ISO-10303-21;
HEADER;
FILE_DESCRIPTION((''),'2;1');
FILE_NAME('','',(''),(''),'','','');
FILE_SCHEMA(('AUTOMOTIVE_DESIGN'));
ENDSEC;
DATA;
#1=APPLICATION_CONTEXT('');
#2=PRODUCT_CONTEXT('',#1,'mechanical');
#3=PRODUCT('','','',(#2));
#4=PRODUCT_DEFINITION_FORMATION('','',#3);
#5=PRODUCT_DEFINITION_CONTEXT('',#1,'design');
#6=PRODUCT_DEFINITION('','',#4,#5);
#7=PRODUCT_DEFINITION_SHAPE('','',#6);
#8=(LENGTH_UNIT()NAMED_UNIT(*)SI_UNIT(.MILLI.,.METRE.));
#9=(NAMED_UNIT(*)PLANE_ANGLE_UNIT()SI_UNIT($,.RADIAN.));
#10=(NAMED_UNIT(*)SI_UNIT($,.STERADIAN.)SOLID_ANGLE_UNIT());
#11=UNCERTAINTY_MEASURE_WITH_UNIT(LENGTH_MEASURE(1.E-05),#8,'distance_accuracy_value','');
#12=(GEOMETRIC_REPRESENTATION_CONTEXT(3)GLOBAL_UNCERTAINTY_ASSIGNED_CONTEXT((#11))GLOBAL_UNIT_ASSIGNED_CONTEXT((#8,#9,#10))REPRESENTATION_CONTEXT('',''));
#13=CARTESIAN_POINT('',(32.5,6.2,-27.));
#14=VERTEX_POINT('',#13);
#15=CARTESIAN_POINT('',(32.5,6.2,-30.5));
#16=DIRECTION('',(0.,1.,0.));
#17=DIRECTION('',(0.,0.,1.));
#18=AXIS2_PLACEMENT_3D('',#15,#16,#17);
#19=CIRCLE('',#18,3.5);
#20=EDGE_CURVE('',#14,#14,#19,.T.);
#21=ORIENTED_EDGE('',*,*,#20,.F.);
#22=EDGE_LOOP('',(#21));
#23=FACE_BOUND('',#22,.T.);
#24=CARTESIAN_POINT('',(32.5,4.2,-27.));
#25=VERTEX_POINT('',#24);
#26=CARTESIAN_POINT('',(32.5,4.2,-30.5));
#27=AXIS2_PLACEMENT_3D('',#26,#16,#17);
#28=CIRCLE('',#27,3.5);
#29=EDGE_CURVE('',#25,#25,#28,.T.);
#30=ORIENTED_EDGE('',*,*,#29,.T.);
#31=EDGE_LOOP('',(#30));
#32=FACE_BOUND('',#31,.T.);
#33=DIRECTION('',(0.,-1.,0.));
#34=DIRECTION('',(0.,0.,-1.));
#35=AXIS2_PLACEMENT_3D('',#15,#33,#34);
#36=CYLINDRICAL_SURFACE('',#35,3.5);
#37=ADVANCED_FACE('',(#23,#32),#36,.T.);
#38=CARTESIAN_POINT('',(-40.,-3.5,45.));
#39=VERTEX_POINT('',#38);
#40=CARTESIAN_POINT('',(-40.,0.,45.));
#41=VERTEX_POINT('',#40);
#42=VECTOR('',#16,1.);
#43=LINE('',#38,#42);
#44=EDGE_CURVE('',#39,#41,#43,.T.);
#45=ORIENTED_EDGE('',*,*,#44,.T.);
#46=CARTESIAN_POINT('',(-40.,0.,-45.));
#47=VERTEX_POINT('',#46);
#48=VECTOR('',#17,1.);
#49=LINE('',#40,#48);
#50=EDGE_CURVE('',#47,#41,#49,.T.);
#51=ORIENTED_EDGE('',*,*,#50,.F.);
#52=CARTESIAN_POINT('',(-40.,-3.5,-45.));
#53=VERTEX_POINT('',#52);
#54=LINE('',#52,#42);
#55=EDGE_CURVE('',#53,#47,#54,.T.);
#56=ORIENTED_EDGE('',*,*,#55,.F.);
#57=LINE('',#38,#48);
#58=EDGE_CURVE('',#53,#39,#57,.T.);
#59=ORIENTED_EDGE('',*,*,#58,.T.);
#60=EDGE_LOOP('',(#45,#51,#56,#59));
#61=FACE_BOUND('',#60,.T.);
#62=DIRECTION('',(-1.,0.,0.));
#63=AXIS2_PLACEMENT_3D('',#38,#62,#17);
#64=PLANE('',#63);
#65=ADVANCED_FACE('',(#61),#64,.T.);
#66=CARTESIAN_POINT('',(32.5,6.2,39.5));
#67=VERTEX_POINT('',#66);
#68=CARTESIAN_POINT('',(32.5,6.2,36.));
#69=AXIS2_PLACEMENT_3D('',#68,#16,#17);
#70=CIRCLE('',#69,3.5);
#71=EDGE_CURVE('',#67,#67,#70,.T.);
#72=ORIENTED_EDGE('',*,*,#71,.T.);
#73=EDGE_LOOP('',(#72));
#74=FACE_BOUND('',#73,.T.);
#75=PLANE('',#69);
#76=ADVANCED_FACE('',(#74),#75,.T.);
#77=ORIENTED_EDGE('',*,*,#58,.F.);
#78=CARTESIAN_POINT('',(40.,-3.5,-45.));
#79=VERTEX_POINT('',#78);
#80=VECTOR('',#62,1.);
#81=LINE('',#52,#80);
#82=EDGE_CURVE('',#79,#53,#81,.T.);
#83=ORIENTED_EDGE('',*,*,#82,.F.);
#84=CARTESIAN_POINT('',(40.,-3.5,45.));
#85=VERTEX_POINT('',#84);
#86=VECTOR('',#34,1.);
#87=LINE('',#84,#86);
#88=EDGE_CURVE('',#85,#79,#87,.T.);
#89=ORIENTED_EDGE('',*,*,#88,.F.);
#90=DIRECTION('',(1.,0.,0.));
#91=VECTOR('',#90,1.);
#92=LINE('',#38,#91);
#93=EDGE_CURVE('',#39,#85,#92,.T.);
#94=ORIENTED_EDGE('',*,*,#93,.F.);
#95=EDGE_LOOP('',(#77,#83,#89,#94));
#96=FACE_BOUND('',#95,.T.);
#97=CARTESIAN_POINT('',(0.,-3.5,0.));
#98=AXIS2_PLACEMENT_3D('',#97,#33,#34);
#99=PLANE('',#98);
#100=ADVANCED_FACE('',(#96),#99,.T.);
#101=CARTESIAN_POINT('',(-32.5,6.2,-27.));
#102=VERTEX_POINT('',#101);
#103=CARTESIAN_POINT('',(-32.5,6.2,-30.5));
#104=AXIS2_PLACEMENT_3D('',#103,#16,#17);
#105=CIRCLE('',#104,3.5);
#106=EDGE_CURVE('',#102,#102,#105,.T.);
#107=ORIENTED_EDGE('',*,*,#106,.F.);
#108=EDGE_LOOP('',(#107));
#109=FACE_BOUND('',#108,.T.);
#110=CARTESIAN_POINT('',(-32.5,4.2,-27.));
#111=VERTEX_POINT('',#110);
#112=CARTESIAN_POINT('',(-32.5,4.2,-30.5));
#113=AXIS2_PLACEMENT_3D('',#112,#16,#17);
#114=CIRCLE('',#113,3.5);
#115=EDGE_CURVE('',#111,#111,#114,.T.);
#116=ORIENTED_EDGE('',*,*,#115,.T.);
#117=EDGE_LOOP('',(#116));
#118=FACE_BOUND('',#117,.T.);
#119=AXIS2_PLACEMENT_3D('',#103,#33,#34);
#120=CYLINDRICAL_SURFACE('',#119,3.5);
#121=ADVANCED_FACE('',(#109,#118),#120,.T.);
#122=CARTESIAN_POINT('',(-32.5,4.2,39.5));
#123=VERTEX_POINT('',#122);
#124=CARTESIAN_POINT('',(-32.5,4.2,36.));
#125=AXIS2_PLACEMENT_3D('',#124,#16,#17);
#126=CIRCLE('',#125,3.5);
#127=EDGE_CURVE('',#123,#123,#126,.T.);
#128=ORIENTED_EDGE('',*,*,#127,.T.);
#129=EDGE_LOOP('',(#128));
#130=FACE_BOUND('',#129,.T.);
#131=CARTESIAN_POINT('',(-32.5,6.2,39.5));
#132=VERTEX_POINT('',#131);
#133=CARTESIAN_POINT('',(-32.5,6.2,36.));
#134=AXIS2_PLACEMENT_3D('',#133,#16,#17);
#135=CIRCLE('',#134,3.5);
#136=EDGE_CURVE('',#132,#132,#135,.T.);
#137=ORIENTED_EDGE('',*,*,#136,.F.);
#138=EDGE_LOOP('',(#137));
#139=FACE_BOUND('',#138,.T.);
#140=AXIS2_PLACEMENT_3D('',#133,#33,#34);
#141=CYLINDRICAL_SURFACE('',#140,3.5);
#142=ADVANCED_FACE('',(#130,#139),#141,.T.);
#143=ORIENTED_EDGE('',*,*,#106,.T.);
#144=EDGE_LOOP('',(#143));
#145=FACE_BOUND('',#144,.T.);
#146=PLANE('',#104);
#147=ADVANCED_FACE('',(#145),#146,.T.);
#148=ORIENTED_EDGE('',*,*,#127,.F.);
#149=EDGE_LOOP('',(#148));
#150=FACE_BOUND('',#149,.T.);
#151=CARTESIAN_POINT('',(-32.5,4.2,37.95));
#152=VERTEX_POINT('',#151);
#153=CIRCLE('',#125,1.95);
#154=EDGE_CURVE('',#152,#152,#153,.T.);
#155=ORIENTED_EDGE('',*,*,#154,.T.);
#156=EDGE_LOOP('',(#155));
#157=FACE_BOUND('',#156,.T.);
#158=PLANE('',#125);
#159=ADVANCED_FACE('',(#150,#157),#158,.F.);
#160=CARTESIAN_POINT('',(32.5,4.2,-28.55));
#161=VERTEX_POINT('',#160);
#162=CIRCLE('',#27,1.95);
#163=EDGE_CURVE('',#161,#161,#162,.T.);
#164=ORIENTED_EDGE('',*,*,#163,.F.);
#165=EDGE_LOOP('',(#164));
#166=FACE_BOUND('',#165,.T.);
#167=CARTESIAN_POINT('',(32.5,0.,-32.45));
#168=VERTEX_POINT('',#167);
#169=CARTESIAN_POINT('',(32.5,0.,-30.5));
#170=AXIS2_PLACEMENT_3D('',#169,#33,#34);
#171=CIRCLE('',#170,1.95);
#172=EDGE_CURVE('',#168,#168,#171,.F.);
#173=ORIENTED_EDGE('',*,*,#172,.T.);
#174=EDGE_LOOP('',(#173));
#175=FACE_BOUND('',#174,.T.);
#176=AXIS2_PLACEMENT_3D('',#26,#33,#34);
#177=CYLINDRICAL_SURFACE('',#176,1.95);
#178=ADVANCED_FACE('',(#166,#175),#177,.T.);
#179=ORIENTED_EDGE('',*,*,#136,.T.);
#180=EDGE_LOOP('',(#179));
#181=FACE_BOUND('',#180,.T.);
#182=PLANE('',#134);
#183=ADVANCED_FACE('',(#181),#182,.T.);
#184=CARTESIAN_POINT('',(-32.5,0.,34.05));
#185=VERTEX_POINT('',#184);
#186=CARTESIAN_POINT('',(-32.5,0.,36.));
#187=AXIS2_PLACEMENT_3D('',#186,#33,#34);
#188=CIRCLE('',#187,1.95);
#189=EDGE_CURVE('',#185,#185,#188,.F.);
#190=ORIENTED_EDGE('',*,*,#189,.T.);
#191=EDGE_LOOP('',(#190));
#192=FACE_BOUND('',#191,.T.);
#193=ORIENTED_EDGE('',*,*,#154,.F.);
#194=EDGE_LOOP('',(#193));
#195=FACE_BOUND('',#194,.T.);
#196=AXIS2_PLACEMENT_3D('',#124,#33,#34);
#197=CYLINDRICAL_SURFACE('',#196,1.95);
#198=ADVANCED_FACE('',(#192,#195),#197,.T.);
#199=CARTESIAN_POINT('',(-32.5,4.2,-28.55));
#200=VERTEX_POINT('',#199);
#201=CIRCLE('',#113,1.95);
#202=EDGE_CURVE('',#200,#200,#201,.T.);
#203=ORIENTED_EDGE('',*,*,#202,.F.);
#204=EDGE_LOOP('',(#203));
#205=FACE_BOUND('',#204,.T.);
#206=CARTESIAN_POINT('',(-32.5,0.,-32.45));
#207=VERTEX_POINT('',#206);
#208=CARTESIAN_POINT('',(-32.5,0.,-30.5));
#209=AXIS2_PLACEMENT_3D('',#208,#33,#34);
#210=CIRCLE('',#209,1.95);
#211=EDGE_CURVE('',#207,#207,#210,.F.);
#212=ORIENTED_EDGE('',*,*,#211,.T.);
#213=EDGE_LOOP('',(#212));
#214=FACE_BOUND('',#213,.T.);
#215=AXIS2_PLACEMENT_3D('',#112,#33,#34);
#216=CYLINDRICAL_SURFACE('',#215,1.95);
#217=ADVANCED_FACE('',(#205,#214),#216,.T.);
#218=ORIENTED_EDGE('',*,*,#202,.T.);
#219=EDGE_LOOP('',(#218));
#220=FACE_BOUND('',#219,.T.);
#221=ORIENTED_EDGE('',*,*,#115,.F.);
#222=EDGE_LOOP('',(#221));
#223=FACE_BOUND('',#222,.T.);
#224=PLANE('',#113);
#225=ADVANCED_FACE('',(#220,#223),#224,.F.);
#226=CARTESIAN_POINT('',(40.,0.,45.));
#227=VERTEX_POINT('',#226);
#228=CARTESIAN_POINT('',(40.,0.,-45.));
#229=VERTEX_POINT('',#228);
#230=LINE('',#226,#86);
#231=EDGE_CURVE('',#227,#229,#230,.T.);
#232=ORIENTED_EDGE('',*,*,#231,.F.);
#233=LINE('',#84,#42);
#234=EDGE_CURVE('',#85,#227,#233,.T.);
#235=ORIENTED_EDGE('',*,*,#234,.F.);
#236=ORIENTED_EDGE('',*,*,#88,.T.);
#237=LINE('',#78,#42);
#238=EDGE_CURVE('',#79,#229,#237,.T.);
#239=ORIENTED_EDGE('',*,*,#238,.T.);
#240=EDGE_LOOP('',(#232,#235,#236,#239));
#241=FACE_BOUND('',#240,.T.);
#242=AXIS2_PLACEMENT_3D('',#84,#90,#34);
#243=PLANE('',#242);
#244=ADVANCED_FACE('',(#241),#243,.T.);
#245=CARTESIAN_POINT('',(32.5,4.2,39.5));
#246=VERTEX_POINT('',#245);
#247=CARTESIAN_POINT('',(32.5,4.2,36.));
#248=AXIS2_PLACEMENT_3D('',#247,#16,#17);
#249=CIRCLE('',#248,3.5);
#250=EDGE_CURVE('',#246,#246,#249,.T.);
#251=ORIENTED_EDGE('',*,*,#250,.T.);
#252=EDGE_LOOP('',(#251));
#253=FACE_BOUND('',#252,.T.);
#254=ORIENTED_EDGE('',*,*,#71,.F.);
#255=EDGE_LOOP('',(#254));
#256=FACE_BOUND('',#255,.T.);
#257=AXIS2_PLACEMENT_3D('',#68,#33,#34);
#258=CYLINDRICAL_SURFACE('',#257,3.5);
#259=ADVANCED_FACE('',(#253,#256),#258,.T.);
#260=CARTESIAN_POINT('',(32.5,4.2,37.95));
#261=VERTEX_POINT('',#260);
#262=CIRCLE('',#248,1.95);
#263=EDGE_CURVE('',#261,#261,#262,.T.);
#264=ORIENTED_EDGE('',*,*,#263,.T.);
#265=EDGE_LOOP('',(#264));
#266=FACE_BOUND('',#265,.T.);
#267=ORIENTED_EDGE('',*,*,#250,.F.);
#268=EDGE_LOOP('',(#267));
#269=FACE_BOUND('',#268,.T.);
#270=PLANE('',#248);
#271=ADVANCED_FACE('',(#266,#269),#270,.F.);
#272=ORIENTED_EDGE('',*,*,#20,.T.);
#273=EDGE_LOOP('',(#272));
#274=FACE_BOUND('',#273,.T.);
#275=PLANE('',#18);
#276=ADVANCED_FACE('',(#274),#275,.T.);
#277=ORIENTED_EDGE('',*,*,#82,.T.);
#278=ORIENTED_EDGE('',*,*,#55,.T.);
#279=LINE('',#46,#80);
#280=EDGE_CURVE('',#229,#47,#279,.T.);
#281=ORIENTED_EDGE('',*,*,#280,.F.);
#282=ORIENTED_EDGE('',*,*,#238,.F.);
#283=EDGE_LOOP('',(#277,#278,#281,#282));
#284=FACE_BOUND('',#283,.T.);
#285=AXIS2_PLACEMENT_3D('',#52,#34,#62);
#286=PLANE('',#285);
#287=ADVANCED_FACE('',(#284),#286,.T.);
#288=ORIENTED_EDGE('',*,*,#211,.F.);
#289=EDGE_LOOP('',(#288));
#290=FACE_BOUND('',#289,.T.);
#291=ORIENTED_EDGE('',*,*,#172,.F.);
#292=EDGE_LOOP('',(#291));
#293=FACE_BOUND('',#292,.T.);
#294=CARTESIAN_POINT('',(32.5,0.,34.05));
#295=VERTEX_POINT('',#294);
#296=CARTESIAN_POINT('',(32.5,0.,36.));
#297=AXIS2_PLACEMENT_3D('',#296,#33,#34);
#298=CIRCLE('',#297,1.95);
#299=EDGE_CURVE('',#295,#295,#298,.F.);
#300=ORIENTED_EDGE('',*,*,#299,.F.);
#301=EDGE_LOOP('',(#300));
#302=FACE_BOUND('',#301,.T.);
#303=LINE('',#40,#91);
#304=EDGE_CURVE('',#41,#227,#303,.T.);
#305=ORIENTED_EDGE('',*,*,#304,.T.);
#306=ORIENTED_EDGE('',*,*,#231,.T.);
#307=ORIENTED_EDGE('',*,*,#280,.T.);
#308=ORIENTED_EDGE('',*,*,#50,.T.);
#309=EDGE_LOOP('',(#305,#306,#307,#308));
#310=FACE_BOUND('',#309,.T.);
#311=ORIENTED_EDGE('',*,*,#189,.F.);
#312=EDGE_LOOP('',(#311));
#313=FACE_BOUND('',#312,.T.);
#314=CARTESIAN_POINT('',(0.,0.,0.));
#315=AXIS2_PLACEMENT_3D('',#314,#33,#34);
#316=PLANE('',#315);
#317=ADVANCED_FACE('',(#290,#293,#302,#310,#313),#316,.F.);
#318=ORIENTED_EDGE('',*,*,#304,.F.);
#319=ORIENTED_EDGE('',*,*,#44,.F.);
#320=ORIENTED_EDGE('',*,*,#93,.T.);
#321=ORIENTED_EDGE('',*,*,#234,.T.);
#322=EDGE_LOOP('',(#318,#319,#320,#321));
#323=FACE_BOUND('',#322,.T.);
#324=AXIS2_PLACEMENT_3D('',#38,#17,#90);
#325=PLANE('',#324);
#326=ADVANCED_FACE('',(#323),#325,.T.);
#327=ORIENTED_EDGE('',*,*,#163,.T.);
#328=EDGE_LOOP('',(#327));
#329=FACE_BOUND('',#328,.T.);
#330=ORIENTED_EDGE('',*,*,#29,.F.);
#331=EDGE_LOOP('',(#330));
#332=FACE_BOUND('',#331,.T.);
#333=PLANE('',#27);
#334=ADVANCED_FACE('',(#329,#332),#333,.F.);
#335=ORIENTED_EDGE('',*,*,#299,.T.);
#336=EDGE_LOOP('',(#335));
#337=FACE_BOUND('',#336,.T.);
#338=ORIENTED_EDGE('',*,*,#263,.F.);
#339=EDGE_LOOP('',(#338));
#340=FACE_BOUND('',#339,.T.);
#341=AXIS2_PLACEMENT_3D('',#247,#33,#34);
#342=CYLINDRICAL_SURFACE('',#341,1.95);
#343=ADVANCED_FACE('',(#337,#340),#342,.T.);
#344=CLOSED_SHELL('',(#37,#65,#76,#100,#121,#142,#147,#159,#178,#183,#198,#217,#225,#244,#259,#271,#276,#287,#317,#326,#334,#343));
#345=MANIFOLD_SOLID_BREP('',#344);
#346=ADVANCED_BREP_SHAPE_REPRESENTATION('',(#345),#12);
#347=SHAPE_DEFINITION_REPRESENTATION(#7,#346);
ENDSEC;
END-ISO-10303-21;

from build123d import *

# Parameters (mm, degrees)
SKETCH1_W           = 80
SKETCH1_H           = 90
BOSS_EXTRUDE1_DEPTH = 3.5
SKETCH2_R           = 1.95
BOSS_EXTRUDE2_DEPTH = 4.2
SKETCH3_R           = 3.5
BOSS_EXTRUDE3_DEPTH = 2


with BuildPart() as part:
    # Sketch1 → Boss-Extrude1 (new body)
    with BuildSketch(Plane(origin=(0, 0, 0), x_dir=(1, 0, 0), z_dir=(0, 1, 0))):
        Rectangle(SKETCH1_W, SKETCH1_H)
    extrude(amount=-BOSS_EXTRUDE1_DEPTH)

    # Sketch2 → Boss-Extrude2 (add)
    with BuildSketch(Plane(origin=(0, 0, 0), x_dir=(1, 0, 0), z_dir=(0, 1, 0))):
        with Locations(Location((-32.5, 30.5, 0), (0, 0, 90))):
            Circle(SKETCH2_R)
        with Locations(Location((32.5, 30.5, 0), (0, 0, 90))):
            Circle(SKETCH2_R)
        with Locations(Location((32.5, -36, 0), (0, 0, 90))):
            Circle(SKETCH2_R)
        with Locations(Location((-32.5, -36, 0), (0, 0, 90))):
            Circle(SKETCH2_R)
    extrude(amount=BOSS_EXTRUDE2_DEPTH)

    # Sketch3 → Boss-Extrude3 (add)
    with BuildSketch(Plane(origin=(0, 4.2, 0), x_dir=(1, 0, 0), z_dir=(0, 1, 0))):
        with Locations(Location((-32.5, 30.5, 0), (0, 0, 270))):
            Circle(SKETCH3_R)
        with Locations(Location((32.5, 30.5, 0), (0, 0, 270))):
            Circle(SKETCH3_R)
        with Locations(Location((-32.5, -36, 0), (0, 0, 270))):
            Circle(SKETCH3_R)
        with Locations(Location((32.5, -36, 0), (0, 0, 270))):
            Circle(SKETCH3_R)
    extrude(amount=BOSS_EXTRUDE3_DEPTH)


solid = part.part
